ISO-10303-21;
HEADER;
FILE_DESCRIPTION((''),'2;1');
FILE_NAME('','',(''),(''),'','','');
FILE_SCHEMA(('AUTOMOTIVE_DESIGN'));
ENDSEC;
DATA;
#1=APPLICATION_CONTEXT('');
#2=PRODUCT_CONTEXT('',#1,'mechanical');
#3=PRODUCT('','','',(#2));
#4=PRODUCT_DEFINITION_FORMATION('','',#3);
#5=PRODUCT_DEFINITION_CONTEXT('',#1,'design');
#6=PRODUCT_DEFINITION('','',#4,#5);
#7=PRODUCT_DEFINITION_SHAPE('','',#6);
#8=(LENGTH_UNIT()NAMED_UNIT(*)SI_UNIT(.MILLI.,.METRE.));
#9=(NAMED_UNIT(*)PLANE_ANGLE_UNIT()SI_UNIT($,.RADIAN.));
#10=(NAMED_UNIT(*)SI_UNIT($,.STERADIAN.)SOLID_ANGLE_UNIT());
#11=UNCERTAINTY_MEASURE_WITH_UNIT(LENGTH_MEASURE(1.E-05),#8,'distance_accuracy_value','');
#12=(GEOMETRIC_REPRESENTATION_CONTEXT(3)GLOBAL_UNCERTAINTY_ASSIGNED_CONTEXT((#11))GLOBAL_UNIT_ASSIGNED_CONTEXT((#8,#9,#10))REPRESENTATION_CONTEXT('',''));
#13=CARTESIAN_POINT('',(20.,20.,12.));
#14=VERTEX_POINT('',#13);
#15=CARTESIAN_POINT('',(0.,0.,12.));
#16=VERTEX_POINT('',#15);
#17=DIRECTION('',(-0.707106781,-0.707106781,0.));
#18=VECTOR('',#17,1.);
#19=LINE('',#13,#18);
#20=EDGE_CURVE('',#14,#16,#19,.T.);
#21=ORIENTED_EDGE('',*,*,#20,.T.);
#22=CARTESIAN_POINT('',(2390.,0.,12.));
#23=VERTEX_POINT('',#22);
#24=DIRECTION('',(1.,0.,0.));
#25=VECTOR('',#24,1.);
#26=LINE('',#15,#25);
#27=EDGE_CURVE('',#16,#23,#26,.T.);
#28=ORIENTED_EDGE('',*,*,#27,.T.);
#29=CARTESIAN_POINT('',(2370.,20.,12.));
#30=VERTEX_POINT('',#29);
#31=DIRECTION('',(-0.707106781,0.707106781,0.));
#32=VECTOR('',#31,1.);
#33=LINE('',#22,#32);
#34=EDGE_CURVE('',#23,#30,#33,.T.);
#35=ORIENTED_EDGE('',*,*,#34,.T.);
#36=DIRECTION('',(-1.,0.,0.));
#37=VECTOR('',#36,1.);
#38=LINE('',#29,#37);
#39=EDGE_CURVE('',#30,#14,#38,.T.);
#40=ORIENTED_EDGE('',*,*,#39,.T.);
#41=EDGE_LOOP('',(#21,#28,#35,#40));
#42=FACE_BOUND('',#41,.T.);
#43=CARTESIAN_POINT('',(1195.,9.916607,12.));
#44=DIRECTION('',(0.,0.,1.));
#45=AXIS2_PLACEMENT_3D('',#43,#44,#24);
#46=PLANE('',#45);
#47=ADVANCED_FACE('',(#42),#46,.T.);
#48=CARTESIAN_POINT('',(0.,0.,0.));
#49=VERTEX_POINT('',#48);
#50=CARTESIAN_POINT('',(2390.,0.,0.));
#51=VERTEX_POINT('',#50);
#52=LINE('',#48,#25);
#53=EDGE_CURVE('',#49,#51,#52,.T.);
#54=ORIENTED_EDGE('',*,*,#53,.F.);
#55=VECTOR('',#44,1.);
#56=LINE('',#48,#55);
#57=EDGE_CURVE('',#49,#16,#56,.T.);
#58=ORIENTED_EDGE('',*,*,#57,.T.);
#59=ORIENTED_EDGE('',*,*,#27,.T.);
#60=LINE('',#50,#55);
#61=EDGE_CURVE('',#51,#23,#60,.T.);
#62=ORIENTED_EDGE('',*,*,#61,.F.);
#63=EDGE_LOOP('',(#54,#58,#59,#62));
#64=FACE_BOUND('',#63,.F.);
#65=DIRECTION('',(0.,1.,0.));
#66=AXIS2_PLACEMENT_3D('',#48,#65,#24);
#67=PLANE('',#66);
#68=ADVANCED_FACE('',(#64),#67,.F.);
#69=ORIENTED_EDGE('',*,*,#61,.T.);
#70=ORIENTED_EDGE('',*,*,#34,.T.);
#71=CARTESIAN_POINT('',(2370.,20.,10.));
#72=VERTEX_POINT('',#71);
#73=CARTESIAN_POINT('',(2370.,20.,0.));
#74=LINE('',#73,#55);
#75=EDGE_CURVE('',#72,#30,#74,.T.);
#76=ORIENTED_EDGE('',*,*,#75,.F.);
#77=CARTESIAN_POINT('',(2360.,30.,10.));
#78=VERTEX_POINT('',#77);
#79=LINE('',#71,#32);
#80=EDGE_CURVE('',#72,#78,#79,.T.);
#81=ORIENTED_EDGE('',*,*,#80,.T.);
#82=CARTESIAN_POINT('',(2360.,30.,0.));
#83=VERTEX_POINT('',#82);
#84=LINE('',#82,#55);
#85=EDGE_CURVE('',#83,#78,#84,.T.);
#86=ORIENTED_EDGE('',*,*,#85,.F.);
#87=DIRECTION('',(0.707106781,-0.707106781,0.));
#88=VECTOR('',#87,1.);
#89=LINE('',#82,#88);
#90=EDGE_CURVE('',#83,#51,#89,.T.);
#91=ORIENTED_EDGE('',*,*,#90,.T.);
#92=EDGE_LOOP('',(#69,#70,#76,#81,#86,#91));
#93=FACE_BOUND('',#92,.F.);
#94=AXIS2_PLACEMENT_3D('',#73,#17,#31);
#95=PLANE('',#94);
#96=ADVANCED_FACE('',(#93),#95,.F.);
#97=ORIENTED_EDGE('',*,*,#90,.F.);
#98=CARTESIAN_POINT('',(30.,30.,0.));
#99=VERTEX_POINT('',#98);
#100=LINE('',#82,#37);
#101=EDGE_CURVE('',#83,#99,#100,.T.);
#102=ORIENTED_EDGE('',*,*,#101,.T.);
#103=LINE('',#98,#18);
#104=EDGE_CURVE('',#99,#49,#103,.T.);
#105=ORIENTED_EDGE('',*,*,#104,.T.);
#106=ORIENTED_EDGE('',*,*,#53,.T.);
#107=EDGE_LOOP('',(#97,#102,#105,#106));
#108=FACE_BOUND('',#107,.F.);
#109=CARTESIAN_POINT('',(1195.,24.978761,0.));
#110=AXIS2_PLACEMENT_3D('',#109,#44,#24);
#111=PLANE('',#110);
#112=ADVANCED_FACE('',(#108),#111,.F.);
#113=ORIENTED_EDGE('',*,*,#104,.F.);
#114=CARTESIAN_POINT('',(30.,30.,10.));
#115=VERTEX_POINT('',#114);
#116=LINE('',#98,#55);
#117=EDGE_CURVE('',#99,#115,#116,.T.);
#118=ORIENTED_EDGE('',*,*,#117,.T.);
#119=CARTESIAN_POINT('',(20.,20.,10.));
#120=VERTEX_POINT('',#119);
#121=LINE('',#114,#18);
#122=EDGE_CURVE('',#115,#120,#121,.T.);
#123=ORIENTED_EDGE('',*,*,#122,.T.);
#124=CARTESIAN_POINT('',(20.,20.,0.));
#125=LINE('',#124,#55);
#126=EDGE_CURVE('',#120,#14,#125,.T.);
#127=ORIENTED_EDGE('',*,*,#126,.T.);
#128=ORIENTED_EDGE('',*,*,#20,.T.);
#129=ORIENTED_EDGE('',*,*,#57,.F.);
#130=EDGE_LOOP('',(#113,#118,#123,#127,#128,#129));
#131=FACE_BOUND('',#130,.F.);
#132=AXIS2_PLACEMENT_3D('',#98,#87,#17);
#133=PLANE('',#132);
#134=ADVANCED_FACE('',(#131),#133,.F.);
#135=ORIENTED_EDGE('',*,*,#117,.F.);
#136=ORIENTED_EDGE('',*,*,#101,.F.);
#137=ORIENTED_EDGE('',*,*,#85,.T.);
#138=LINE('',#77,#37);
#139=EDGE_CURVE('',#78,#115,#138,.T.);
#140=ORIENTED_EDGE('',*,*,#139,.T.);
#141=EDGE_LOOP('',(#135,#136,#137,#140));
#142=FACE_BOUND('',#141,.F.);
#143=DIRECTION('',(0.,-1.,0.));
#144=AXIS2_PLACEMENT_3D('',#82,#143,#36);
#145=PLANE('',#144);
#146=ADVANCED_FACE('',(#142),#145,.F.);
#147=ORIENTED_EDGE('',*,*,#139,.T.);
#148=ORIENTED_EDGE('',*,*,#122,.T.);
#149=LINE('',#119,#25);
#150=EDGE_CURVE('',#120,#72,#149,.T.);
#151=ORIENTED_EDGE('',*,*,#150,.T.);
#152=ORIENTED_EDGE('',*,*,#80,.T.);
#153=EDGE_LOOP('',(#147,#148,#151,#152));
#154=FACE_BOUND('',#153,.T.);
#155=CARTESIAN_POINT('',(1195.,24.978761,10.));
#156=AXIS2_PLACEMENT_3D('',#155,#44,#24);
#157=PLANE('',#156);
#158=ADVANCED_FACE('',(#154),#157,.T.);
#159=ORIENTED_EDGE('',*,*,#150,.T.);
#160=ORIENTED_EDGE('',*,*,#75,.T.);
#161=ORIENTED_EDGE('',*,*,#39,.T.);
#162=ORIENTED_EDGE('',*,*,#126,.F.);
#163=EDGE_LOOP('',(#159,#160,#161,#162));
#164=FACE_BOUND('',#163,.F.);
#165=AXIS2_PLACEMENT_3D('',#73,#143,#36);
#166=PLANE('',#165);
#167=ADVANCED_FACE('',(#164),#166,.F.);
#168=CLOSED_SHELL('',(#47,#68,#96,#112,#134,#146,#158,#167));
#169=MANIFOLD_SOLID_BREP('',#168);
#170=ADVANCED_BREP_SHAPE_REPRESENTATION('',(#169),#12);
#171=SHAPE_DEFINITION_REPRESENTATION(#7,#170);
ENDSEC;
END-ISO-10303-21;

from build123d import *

# Parameters (mm, degrees)
F1_DEPTH = 12
F2_DEPTH = 10


with BuildPart() as f1:
    # F0 (on Top) → F1 (new body)
    with BuildSketch(Plane.XY):
        Polygon((20, 20), (0, 0), (2390, 0), (2370, 20), align=None)
    extrude(amount=F1_DEPTH)

    # F0 (on Top) → F2 (join)
    with BuildSketch(Plane.XY):
        Polygon((30, 30), (20, 20), (2370, 20), (2360, 30), align=None)
    extrude(amount=F2_DEPTH)


with BuildPart() as f3_1:
    # F3: copy of F1
    add(f1.part)


solid = f1.part
